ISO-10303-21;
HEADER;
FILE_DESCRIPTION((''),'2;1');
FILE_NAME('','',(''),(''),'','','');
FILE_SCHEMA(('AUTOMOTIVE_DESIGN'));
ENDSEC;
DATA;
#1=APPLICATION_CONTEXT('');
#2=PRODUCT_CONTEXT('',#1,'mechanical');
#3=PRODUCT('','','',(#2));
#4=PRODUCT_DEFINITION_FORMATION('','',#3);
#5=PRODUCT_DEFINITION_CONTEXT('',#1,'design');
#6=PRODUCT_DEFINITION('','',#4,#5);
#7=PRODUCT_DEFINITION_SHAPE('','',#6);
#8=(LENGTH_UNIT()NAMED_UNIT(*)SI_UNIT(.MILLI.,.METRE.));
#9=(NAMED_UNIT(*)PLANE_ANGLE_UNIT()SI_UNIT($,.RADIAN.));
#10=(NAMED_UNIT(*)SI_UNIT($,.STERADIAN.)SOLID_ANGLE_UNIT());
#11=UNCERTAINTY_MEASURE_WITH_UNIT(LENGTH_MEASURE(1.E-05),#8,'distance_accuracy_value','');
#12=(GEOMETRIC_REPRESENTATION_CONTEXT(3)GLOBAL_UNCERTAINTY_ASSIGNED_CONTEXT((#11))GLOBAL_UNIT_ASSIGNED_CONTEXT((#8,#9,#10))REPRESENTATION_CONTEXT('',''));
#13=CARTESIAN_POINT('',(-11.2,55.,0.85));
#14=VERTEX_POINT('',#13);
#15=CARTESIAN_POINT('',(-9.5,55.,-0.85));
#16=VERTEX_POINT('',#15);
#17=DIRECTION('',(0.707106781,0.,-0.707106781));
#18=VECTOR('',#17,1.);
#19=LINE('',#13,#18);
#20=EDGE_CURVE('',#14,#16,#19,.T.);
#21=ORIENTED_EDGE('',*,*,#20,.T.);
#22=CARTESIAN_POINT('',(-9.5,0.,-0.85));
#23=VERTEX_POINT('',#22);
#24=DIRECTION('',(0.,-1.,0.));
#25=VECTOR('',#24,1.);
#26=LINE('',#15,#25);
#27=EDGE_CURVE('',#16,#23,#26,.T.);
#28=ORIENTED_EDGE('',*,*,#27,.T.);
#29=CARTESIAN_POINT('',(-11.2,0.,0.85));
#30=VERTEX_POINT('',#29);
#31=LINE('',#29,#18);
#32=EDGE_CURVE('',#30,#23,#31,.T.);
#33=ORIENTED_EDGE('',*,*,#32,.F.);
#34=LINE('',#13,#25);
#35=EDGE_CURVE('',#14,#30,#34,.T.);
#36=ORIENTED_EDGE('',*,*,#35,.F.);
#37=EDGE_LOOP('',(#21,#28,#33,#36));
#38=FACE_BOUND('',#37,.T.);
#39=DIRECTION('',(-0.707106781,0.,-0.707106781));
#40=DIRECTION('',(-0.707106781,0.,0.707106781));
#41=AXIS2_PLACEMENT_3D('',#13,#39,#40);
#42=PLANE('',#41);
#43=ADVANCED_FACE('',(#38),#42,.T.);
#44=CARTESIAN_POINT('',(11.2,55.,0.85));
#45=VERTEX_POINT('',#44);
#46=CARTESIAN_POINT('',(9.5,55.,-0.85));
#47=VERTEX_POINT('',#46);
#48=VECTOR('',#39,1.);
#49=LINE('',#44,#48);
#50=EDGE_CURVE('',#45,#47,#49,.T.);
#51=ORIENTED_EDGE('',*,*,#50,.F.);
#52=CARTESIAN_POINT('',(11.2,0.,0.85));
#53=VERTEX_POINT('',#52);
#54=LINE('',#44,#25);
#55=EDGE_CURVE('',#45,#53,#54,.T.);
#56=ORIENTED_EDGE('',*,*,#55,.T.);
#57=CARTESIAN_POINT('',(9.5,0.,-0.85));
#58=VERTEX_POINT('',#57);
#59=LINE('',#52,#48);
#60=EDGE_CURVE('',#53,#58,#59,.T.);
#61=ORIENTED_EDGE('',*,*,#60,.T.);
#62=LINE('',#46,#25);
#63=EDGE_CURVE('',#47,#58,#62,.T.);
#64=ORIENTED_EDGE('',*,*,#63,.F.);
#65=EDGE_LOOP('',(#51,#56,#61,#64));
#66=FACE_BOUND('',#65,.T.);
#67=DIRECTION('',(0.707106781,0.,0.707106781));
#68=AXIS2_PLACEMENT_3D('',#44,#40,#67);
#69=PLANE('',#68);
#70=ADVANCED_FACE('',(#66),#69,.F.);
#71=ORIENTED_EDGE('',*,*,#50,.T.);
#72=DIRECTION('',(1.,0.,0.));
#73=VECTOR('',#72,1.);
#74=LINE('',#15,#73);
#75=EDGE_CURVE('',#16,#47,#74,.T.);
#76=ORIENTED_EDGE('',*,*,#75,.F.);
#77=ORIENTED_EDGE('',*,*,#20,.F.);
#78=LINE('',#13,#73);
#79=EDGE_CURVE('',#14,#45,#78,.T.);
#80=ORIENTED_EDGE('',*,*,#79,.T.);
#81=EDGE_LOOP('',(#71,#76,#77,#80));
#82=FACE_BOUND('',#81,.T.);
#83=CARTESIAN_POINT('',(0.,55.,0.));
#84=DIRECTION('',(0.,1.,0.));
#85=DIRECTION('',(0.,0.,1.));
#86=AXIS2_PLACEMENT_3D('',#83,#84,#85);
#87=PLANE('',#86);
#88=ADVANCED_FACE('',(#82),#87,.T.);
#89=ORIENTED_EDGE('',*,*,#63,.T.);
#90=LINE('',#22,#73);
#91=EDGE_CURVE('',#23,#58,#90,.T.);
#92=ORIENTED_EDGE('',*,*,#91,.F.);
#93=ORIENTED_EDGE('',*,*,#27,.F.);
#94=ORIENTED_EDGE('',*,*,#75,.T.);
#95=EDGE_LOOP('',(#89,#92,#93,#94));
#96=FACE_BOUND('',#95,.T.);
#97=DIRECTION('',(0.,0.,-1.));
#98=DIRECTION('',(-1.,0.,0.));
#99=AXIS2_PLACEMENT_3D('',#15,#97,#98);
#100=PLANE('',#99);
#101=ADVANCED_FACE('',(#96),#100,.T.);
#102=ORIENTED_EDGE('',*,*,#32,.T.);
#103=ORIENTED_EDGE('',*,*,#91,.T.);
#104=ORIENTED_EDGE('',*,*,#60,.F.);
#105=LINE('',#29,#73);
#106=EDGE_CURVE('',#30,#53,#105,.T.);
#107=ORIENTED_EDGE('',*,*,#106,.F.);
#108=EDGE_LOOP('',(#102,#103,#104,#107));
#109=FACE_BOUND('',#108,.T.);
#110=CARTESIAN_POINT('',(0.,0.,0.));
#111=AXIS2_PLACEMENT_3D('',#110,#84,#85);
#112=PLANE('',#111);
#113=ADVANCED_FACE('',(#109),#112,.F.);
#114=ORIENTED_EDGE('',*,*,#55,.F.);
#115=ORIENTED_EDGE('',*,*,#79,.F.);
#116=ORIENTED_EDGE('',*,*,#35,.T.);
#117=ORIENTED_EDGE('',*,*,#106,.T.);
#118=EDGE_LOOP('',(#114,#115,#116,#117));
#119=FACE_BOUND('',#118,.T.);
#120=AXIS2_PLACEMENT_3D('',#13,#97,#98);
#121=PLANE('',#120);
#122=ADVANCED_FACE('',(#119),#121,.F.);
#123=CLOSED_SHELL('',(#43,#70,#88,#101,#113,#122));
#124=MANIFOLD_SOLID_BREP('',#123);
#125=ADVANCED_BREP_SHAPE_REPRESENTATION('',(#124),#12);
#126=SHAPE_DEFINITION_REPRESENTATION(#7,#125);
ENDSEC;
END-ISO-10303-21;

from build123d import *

# Parameters (mm, degrees)
BOSS_EXTRUDE1_DEPTH = 55


with BuildPart() as part:
    # Sketch1 → Boss-Extrude1 (new body)
    with BuildSketch(Plane(origin=(0, 0, 0), x_dir=(1, 0, 0), z_dir=(0, 1, 0))):
        Polygon((-11.2, -0.85), (-9.5, 0.85), (9.5, 0.85), (11.2, -0.85), align=None)
    extrude(amount=BOSS_EXTRUDE1_DEPTH)


solid = part.part
